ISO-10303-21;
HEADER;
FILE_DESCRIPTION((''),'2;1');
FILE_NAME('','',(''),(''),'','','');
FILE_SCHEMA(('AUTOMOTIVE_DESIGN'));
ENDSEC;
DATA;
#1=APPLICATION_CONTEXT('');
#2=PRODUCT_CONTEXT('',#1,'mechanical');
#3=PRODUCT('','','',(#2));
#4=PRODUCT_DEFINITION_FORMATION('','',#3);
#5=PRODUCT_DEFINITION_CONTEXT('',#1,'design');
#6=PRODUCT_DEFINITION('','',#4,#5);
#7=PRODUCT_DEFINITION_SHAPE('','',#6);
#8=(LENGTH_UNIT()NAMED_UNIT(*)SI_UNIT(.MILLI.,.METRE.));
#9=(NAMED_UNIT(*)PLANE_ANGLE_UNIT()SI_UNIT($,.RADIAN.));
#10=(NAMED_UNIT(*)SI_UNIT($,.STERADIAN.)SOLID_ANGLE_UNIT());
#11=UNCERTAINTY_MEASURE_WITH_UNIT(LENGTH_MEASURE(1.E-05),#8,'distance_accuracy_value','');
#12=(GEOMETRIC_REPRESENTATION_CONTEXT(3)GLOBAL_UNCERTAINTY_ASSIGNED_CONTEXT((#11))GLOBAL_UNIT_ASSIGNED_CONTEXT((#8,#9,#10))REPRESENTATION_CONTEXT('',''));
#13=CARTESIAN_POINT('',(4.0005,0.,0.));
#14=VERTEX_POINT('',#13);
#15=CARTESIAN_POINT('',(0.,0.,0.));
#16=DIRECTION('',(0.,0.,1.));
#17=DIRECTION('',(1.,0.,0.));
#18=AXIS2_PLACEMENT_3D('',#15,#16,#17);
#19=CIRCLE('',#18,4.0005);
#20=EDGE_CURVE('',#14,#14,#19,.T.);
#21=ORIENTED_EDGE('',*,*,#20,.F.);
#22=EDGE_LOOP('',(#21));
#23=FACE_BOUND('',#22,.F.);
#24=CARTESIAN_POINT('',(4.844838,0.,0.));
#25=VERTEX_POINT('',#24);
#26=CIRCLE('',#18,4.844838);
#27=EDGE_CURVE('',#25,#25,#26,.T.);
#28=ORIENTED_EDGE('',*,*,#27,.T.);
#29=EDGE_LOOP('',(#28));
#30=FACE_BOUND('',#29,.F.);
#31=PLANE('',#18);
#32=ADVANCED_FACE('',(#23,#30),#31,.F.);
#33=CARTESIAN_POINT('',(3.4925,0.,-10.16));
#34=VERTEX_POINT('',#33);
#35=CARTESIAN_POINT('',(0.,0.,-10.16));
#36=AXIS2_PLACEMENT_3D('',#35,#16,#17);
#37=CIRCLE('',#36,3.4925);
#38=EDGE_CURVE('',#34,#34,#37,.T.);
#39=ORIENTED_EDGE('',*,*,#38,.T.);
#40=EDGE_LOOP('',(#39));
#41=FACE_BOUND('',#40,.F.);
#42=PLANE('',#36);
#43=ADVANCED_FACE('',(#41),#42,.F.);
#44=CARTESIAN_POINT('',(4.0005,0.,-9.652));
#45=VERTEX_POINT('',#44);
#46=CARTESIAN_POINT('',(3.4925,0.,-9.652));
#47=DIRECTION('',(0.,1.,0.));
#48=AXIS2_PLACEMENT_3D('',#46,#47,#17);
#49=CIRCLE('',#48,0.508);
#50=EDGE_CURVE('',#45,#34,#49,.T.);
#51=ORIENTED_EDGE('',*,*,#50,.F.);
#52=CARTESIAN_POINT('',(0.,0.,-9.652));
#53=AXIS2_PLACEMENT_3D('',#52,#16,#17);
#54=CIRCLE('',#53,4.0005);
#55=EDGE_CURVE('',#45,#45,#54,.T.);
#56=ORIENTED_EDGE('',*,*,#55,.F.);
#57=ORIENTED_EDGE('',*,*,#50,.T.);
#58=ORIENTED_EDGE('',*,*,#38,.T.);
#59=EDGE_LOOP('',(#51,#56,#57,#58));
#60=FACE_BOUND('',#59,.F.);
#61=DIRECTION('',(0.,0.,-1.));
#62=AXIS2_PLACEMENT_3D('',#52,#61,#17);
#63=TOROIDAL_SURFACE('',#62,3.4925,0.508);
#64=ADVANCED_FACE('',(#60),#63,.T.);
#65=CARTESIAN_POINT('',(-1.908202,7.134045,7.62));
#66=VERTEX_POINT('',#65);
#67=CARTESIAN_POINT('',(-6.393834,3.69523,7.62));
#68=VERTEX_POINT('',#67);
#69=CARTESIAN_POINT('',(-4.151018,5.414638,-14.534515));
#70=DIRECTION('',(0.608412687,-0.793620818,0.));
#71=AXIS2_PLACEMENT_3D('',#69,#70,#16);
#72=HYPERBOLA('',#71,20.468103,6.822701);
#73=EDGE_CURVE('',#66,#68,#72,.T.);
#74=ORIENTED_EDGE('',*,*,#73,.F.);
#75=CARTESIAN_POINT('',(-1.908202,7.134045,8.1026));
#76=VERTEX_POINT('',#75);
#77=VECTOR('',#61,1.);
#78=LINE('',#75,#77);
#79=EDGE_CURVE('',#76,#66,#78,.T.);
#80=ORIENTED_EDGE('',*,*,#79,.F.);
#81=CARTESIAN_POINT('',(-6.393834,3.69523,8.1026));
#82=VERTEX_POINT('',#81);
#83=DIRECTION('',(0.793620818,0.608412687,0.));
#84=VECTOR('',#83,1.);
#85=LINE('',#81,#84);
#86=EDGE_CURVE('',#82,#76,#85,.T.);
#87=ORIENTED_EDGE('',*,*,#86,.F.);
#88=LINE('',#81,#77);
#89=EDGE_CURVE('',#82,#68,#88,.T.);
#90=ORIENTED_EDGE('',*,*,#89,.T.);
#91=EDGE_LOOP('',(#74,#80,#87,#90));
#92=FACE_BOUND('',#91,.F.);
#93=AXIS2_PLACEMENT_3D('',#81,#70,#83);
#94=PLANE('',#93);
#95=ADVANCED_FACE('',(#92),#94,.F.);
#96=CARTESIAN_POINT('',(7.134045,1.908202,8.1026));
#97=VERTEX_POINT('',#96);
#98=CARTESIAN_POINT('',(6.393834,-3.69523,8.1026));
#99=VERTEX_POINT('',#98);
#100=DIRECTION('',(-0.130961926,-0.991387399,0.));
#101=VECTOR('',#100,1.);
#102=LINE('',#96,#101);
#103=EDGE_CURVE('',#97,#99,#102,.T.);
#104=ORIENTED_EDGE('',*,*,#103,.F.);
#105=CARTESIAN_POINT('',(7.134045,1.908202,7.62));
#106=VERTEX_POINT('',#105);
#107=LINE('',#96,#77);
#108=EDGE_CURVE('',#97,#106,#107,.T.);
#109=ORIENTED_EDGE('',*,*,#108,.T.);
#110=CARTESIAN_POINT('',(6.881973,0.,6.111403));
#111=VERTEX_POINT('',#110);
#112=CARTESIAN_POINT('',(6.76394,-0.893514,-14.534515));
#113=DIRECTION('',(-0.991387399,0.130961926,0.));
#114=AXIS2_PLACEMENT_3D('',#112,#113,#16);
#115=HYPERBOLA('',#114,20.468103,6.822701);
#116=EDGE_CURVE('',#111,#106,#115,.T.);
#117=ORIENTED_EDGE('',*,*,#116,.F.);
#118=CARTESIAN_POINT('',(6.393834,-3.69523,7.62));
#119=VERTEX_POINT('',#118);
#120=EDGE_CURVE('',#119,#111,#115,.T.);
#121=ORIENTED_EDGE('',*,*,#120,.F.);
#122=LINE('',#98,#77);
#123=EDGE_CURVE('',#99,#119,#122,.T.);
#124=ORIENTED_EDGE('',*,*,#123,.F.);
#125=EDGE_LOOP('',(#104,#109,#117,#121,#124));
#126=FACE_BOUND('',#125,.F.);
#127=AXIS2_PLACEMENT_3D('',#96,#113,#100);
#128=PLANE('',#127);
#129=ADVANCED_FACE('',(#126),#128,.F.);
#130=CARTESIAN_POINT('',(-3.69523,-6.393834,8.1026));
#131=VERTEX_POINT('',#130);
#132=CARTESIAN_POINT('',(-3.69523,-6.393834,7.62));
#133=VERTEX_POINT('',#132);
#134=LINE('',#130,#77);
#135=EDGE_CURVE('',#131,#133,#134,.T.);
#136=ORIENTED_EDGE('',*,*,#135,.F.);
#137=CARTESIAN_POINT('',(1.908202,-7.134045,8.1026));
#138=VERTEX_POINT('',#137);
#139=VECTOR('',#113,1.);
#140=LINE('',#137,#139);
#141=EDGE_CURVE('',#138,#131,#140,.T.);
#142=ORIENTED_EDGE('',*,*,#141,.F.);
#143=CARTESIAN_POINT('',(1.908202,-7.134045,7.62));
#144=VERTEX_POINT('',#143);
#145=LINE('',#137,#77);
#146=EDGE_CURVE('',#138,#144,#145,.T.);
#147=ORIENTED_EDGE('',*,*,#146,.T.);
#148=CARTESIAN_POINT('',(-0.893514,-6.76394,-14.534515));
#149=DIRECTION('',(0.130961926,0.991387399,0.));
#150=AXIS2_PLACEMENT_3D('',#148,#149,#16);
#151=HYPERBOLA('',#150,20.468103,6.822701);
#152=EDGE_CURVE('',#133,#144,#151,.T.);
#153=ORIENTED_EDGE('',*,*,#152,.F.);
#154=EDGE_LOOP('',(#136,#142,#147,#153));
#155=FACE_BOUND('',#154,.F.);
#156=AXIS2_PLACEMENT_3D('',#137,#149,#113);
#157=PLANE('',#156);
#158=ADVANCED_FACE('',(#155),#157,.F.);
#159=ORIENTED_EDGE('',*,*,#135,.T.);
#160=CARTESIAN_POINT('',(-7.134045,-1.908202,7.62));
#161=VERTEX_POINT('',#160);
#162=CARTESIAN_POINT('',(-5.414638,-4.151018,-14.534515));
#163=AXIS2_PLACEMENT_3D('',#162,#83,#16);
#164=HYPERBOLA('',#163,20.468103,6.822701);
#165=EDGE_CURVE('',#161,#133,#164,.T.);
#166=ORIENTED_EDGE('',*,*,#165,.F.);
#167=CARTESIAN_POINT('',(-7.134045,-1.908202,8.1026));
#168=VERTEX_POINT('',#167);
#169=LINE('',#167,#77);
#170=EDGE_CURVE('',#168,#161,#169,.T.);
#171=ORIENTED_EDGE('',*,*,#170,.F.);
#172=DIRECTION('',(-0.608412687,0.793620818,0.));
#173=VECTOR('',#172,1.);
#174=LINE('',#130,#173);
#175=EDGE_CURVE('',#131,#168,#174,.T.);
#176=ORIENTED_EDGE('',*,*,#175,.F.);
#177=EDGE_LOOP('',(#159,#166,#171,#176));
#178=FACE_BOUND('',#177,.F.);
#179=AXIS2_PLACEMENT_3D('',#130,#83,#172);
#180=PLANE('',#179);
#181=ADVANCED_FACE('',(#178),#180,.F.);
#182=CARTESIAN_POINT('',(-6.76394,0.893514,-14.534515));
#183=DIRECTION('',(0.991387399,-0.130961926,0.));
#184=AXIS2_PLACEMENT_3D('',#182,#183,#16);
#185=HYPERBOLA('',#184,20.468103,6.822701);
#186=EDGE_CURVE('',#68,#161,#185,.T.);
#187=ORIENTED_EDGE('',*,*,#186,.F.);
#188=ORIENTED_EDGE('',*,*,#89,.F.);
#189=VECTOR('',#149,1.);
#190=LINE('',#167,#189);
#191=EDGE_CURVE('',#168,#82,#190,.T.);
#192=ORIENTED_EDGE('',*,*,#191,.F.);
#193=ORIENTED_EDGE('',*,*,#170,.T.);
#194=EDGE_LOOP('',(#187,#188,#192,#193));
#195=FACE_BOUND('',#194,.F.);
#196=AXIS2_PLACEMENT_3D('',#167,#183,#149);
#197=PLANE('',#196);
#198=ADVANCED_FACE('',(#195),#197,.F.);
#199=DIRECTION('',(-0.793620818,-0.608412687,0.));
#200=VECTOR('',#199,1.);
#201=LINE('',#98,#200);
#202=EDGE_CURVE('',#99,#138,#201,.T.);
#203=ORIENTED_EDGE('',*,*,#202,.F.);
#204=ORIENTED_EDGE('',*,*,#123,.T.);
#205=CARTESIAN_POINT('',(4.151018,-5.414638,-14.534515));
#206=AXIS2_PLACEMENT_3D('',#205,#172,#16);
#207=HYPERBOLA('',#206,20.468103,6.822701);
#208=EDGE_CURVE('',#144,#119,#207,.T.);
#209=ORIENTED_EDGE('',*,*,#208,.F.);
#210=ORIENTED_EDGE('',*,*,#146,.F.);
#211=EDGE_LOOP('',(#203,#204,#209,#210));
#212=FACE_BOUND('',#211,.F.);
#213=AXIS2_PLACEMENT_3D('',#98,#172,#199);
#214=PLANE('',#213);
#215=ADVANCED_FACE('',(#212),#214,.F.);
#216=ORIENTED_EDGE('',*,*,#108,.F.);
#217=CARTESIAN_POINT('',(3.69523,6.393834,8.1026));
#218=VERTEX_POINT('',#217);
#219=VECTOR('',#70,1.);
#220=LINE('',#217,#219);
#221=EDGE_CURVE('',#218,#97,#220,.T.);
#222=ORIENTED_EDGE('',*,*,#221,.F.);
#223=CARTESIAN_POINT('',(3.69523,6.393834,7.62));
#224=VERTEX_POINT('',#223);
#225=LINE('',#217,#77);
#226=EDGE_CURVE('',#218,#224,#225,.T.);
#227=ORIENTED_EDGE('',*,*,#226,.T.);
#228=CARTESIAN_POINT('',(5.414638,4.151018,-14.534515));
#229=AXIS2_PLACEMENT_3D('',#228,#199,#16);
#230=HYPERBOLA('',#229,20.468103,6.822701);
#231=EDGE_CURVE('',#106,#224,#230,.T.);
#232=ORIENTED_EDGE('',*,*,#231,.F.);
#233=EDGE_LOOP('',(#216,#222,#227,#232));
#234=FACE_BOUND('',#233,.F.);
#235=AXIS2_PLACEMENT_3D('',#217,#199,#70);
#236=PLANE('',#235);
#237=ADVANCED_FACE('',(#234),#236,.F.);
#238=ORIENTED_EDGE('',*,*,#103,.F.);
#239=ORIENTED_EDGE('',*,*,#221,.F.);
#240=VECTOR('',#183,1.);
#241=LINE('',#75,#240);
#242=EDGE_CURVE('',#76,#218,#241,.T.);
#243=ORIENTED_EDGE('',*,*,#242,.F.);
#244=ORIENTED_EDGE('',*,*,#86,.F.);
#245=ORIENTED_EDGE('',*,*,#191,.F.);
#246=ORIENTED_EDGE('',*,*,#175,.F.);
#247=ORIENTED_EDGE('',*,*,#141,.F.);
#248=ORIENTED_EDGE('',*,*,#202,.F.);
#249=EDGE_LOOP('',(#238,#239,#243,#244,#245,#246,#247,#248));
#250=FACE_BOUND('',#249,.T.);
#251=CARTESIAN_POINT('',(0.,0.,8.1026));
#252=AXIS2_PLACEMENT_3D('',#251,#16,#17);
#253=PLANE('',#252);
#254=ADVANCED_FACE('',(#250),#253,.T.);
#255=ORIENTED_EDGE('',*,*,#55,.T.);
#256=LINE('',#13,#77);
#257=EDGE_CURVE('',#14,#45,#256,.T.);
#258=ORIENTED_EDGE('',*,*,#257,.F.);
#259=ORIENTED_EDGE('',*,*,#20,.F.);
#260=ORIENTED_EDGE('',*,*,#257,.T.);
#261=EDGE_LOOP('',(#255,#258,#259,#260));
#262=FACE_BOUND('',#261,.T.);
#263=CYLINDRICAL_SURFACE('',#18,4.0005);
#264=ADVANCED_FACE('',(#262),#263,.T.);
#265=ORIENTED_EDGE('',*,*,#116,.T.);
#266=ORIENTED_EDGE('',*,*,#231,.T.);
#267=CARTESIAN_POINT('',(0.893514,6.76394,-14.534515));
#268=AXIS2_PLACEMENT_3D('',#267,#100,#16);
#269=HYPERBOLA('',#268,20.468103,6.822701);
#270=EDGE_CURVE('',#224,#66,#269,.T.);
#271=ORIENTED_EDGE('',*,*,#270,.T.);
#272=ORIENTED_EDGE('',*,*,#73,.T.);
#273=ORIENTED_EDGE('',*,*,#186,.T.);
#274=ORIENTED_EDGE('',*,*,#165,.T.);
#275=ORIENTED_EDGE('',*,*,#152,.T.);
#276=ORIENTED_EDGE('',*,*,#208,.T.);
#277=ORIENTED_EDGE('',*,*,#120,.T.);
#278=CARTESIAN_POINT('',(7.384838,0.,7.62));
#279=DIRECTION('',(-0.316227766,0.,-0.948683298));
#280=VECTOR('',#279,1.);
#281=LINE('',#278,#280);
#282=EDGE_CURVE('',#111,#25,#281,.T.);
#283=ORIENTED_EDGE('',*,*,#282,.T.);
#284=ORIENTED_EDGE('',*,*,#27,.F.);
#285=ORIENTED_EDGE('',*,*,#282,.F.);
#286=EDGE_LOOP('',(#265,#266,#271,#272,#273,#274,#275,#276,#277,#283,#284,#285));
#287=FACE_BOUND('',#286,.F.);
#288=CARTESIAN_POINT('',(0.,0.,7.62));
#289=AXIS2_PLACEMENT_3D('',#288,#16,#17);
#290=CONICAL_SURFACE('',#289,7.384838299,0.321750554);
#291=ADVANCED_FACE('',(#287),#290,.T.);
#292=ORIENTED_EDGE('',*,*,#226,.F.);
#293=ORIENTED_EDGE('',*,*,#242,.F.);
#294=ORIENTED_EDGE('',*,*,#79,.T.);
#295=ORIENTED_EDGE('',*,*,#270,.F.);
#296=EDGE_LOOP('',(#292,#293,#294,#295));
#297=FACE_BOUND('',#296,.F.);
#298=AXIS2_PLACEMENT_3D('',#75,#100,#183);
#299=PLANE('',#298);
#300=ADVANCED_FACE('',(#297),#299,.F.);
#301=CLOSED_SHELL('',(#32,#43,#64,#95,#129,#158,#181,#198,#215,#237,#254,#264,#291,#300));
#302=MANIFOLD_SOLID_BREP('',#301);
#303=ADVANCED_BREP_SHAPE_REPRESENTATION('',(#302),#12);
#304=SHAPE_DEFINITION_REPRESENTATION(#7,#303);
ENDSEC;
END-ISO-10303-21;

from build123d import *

# Parameters (mm, degrees)
F0_R     = 4.0005
F1_DEPTH = 10.16
F0_R_2   = 7.3848382985
F2_DEPTH = 8.1026
F3_SIZE2 = 2.54
F3_SIZE  = 7.62
F5_DEPTH = 25.4
F6_R     = 0.508


with BuildPart() as f1:
    # F0 (on Top) → F1 (new body)
    with BuildSketch(Plane.XY):
        Circle(F0_R)
    extrude(amount=-F1_DEPTH)

    # F0 (on Top) → F2 (join)
    with BuildSketch(Plane.XY):
        Circle(F0_R_2)
        Circle(F0_R, mode=Mode.SUBTRACT)
        Circle(F0_R)
    extrude(amount=F2_DEPTH)

    # F3
    f3_edges = [f1.edges().sort_by_distance(p)[0] for p in [
        (-7.384838, 0, 0),
    ]]
    f3_side = f1.faces().sort_by_distance((-7.384838, 0, 4.0513))[0]
    chamfer(f3_edges, length=F3_SIZE, length2=F3_SIZE2, reference=f3_side)

    # F4 (on face) → F5 (cut)
    with BuildSketch(Plane.XY.offset(8.1026)):
        with BuildLine():
            Line((-6.3938341113, 3.6952296345), (-1.9082015253, 7.1340453905))
            ThreePointArc((-1.9082015253, 7.1340453905), (-4.4930293098, 5.8607614109), (-6.3938341113, 3.6952296345))
        make_face()
        with BuildLine():
            Line((-1.9082015253, 7.1340453905), (3.6952296345, 6.3938341113))
            ThreePointArc((3.6952296345, 6.3938341113), (0.9671326435, 7.3212356296), (-1.9082015253, 7.1340453905))
        make_face()
        with BuildLine():
            Line((3.6952296345, 6.3938341113), (7.1340453905, 1.9082015253))
            ThreePointArc((7.1340453905, 1.9082015253), (5.8607614109, 4.4930293098), (3.6952296345, 6.3938341113))
        make_face()
        with BuildLine():
            Line((7.1340453905, 1.9082015253), (6.3938341113, -3.6952296345))
            ThreePointArc((6.3938341113, -3.6952296345), (7.1327858413, -1.9129042939), (7.3848382985, 0))
            ThreePointArc((7.3848382985, 0), (7.3218716295, 0.9623058433), (7.1340453905, 1.9082015253))
        make_face()
        with BuildLine():
            ThreePointArc((1.9082015253, -7.1340453905), (4.4930293098, -5.8607614109), (6.3938341113, -3.6952296345))
            Line((6.3938341113, -3.6952296345), (1.9082015253, -7.1340453905))
        make_face()
        with BuildLine():
            ThreePointArc((-3.6952296345, -6.3938341113), (-0.9671326435, -7.3212356296), (1.9082015253, -7.1340453905))
            Line((1.9082015253, -7.1340453905), (-3.6952296345, -6.3938341113))
        make_face()
        with BuildLine():
            ThreePointArc((-7.1340453905, -1.9082015253), (-5.8607614109, -4.4930293098), (-3.6952296345, -6.3938341113))
            Line((-3.6952296345, -6.3938341113), (-7.1340453905, -1.9082015253))
        make_face()
        with BuildLine():
            ThreePointArc((-6.3938341113, 3.6952296345), (-7.3212356296, 0.9671326435), (-7.1340453905, -1.9082015253))
            Line((-7.1340453905, -1.9082015253), (-6.3938341113, 3.6952296345))
        make_face()
    extrude(amount=-F5_DEPTH, mode=Mode.SUBTRACT)

    # F6
    f6_edges = [f1.edges().sort_by_distance(p)[0] for p in [
        (-4.0005, 0, -10.16),
    ]]
    fillet(f6_edges, radius=F6_R)


solid = f1.part
